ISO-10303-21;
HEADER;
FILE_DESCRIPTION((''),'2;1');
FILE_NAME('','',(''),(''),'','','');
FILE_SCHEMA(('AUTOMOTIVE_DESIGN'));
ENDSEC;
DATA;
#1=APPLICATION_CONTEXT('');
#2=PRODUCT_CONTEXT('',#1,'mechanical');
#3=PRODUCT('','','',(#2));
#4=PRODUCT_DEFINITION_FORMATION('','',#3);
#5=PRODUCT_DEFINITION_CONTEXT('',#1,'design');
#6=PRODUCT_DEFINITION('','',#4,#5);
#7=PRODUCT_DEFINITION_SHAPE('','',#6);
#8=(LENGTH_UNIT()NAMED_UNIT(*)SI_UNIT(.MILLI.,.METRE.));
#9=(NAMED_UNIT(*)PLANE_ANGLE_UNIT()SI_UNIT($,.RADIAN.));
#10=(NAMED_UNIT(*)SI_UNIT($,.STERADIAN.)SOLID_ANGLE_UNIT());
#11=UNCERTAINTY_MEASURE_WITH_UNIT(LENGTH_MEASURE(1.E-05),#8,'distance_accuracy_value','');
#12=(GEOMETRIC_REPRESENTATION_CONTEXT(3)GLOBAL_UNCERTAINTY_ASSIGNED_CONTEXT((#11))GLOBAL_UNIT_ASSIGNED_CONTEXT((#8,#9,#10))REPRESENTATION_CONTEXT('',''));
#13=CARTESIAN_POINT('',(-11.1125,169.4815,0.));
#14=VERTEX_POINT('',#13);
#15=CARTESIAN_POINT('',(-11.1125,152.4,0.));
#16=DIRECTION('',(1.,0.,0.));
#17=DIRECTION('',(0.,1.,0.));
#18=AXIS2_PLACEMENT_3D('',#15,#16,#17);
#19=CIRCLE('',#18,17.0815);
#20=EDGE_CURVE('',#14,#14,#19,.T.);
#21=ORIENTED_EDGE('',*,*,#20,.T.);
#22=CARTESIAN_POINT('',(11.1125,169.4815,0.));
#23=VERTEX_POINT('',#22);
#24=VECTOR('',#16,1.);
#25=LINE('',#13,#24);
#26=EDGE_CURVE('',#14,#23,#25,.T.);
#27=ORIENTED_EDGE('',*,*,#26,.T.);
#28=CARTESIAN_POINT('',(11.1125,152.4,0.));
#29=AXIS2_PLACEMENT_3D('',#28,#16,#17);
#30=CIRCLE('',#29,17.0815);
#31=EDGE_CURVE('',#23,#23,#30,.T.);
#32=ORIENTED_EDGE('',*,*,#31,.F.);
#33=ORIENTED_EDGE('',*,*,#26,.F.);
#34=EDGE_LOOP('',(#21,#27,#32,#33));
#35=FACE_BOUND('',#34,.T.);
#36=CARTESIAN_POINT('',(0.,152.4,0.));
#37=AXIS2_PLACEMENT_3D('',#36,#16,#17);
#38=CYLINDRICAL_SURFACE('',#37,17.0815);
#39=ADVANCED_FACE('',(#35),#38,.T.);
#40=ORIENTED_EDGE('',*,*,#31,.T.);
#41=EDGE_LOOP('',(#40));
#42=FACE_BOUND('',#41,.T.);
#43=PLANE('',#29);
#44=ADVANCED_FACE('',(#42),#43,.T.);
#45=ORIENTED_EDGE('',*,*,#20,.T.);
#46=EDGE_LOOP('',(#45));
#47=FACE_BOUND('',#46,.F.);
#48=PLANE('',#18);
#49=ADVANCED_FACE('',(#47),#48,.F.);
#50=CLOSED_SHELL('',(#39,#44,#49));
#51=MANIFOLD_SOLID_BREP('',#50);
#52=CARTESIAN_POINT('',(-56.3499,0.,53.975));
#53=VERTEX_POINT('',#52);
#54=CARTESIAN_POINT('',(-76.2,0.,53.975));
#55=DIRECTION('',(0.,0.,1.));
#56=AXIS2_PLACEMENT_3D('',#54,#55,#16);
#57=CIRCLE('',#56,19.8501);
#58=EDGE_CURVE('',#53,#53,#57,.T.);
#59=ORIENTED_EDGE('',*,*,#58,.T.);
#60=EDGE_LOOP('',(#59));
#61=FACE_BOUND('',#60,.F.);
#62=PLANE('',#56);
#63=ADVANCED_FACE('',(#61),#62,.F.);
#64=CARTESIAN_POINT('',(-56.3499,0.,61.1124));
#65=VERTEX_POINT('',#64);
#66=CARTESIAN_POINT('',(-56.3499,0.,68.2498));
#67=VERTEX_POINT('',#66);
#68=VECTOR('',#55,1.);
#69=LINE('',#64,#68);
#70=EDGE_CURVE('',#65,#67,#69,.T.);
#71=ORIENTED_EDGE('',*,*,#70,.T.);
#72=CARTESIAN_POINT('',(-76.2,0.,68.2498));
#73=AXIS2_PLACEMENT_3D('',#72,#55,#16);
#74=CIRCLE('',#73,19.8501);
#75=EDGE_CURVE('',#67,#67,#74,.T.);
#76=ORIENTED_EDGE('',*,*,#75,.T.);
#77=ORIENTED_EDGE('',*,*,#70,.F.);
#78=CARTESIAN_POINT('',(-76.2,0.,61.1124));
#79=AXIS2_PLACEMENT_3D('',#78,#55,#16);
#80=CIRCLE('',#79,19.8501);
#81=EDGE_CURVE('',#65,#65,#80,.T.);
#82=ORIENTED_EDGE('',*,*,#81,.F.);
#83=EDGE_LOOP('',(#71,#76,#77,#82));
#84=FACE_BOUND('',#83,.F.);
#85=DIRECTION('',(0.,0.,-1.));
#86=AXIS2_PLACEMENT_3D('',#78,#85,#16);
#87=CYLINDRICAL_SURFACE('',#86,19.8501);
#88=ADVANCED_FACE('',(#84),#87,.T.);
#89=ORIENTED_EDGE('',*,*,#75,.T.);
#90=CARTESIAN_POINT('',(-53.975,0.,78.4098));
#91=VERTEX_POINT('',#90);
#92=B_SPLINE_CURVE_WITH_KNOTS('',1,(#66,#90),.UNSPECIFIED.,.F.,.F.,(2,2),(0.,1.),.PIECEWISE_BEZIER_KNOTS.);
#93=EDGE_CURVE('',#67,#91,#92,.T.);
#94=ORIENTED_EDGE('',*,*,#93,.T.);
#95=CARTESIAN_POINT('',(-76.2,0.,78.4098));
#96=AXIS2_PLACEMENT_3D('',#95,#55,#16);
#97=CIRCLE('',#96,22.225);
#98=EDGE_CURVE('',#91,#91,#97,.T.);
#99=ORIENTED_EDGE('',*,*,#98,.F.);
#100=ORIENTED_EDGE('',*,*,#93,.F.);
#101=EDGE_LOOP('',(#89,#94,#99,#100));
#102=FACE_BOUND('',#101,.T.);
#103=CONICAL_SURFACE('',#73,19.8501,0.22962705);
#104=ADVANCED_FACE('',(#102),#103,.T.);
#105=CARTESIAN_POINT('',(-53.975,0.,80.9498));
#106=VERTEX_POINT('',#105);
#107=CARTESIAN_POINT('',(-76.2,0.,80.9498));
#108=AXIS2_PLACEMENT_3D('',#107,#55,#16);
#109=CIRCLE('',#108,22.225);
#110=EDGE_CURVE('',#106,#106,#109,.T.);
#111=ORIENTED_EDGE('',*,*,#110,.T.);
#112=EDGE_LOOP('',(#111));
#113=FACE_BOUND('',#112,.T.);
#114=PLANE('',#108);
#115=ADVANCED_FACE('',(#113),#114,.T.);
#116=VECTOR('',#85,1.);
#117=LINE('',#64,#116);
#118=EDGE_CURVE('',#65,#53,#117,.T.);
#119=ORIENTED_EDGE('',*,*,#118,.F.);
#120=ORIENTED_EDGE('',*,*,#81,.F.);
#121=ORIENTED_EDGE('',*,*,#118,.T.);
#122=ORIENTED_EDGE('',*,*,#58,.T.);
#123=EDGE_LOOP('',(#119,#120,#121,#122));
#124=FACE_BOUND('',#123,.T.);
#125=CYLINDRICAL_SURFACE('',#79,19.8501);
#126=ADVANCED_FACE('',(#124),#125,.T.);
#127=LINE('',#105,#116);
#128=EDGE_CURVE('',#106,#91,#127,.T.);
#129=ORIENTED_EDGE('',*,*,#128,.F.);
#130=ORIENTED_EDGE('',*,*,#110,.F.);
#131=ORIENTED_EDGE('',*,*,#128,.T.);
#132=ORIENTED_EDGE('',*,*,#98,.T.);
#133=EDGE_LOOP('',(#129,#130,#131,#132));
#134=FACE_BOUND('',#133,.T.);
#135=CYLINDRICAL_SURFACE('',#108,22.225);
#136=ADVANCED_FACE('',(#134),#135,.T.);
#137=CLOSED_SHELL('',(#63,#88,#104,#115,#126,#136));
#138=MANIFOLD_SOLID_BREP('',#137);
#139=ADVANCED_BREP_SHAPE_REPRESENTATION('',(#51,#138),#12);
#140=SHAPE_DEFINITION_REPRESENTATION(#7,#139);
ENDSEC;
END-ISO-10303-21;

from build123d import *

# Parameters (mm, degrees)
F2_R          = 19.8501
F3_DEPTH      = 7.1374
F3_DEPTH_BACK = 7.1374
F5_R          = 22.225
F6_DEPTH      = 2.54
F3_FACE_R     = 19.8501
F6_FACE_R     = 22.225
F8_R          = 17.0815
F9_DEPTH      = 11.1125
F9_DEPTH_BACK = 11.1125


with BuildPart() as f3:
    # F2 (on offset) → F3 (new body, two sides)
    with BuildSketch(Plane.XY.offset(61.1124)) as f3_sk:
        with Locations((-76.2, 0)):
            Circle(F2_R)
    extrude(amount=-F3_DEPTH)
    extrude(f3_sk.sketch, amount=F3_DEPTH_BACK)



with BuildPart() as f6:
    # F5 (on offset) → F6 (new body)
    with BuildSketch(Plane.XY.offset(80.9498)):
        with Locations((-76.2, 0)):
            Circle(F5_R)
    extrude(amount=-F6_DEPTH)


with BuildPart() as f3_1:
    add(f3.part)

    add(f6.part)  # F7 merges F6
    # F3_face (on face) → F7 section 0
    with BuildSketch(Plane(origin=(-76.2, 0, 68.2498), x_dir=(1, 0, 0), z_dir=(0, 0, 1))):
        Circle(F3_FACE_R)
    # F6_face (on face) → F7 section 1
    with BuildSketch(Plane(origin=(-76.2, 0, 78.4098), x_dir=(1, 0, 0), z_dir=(0, 0, -1))):
        Circle(F6_FACE_R)
    loft()


with BuildPart() as f9:
    # F8 (on Right) → F9 (new body, two sides)
    with BuildSketch(Plane.YZ) as f9_sk:
        with Locations((152.4, 0)):
            Circle(F8_R)
    extrude(amount=F9_DEPTH)
    extrude(f9_sk.sketch, amount=-F9_DEPTH_BACK)


solid = Compound([f3_1.part, f9.part])
